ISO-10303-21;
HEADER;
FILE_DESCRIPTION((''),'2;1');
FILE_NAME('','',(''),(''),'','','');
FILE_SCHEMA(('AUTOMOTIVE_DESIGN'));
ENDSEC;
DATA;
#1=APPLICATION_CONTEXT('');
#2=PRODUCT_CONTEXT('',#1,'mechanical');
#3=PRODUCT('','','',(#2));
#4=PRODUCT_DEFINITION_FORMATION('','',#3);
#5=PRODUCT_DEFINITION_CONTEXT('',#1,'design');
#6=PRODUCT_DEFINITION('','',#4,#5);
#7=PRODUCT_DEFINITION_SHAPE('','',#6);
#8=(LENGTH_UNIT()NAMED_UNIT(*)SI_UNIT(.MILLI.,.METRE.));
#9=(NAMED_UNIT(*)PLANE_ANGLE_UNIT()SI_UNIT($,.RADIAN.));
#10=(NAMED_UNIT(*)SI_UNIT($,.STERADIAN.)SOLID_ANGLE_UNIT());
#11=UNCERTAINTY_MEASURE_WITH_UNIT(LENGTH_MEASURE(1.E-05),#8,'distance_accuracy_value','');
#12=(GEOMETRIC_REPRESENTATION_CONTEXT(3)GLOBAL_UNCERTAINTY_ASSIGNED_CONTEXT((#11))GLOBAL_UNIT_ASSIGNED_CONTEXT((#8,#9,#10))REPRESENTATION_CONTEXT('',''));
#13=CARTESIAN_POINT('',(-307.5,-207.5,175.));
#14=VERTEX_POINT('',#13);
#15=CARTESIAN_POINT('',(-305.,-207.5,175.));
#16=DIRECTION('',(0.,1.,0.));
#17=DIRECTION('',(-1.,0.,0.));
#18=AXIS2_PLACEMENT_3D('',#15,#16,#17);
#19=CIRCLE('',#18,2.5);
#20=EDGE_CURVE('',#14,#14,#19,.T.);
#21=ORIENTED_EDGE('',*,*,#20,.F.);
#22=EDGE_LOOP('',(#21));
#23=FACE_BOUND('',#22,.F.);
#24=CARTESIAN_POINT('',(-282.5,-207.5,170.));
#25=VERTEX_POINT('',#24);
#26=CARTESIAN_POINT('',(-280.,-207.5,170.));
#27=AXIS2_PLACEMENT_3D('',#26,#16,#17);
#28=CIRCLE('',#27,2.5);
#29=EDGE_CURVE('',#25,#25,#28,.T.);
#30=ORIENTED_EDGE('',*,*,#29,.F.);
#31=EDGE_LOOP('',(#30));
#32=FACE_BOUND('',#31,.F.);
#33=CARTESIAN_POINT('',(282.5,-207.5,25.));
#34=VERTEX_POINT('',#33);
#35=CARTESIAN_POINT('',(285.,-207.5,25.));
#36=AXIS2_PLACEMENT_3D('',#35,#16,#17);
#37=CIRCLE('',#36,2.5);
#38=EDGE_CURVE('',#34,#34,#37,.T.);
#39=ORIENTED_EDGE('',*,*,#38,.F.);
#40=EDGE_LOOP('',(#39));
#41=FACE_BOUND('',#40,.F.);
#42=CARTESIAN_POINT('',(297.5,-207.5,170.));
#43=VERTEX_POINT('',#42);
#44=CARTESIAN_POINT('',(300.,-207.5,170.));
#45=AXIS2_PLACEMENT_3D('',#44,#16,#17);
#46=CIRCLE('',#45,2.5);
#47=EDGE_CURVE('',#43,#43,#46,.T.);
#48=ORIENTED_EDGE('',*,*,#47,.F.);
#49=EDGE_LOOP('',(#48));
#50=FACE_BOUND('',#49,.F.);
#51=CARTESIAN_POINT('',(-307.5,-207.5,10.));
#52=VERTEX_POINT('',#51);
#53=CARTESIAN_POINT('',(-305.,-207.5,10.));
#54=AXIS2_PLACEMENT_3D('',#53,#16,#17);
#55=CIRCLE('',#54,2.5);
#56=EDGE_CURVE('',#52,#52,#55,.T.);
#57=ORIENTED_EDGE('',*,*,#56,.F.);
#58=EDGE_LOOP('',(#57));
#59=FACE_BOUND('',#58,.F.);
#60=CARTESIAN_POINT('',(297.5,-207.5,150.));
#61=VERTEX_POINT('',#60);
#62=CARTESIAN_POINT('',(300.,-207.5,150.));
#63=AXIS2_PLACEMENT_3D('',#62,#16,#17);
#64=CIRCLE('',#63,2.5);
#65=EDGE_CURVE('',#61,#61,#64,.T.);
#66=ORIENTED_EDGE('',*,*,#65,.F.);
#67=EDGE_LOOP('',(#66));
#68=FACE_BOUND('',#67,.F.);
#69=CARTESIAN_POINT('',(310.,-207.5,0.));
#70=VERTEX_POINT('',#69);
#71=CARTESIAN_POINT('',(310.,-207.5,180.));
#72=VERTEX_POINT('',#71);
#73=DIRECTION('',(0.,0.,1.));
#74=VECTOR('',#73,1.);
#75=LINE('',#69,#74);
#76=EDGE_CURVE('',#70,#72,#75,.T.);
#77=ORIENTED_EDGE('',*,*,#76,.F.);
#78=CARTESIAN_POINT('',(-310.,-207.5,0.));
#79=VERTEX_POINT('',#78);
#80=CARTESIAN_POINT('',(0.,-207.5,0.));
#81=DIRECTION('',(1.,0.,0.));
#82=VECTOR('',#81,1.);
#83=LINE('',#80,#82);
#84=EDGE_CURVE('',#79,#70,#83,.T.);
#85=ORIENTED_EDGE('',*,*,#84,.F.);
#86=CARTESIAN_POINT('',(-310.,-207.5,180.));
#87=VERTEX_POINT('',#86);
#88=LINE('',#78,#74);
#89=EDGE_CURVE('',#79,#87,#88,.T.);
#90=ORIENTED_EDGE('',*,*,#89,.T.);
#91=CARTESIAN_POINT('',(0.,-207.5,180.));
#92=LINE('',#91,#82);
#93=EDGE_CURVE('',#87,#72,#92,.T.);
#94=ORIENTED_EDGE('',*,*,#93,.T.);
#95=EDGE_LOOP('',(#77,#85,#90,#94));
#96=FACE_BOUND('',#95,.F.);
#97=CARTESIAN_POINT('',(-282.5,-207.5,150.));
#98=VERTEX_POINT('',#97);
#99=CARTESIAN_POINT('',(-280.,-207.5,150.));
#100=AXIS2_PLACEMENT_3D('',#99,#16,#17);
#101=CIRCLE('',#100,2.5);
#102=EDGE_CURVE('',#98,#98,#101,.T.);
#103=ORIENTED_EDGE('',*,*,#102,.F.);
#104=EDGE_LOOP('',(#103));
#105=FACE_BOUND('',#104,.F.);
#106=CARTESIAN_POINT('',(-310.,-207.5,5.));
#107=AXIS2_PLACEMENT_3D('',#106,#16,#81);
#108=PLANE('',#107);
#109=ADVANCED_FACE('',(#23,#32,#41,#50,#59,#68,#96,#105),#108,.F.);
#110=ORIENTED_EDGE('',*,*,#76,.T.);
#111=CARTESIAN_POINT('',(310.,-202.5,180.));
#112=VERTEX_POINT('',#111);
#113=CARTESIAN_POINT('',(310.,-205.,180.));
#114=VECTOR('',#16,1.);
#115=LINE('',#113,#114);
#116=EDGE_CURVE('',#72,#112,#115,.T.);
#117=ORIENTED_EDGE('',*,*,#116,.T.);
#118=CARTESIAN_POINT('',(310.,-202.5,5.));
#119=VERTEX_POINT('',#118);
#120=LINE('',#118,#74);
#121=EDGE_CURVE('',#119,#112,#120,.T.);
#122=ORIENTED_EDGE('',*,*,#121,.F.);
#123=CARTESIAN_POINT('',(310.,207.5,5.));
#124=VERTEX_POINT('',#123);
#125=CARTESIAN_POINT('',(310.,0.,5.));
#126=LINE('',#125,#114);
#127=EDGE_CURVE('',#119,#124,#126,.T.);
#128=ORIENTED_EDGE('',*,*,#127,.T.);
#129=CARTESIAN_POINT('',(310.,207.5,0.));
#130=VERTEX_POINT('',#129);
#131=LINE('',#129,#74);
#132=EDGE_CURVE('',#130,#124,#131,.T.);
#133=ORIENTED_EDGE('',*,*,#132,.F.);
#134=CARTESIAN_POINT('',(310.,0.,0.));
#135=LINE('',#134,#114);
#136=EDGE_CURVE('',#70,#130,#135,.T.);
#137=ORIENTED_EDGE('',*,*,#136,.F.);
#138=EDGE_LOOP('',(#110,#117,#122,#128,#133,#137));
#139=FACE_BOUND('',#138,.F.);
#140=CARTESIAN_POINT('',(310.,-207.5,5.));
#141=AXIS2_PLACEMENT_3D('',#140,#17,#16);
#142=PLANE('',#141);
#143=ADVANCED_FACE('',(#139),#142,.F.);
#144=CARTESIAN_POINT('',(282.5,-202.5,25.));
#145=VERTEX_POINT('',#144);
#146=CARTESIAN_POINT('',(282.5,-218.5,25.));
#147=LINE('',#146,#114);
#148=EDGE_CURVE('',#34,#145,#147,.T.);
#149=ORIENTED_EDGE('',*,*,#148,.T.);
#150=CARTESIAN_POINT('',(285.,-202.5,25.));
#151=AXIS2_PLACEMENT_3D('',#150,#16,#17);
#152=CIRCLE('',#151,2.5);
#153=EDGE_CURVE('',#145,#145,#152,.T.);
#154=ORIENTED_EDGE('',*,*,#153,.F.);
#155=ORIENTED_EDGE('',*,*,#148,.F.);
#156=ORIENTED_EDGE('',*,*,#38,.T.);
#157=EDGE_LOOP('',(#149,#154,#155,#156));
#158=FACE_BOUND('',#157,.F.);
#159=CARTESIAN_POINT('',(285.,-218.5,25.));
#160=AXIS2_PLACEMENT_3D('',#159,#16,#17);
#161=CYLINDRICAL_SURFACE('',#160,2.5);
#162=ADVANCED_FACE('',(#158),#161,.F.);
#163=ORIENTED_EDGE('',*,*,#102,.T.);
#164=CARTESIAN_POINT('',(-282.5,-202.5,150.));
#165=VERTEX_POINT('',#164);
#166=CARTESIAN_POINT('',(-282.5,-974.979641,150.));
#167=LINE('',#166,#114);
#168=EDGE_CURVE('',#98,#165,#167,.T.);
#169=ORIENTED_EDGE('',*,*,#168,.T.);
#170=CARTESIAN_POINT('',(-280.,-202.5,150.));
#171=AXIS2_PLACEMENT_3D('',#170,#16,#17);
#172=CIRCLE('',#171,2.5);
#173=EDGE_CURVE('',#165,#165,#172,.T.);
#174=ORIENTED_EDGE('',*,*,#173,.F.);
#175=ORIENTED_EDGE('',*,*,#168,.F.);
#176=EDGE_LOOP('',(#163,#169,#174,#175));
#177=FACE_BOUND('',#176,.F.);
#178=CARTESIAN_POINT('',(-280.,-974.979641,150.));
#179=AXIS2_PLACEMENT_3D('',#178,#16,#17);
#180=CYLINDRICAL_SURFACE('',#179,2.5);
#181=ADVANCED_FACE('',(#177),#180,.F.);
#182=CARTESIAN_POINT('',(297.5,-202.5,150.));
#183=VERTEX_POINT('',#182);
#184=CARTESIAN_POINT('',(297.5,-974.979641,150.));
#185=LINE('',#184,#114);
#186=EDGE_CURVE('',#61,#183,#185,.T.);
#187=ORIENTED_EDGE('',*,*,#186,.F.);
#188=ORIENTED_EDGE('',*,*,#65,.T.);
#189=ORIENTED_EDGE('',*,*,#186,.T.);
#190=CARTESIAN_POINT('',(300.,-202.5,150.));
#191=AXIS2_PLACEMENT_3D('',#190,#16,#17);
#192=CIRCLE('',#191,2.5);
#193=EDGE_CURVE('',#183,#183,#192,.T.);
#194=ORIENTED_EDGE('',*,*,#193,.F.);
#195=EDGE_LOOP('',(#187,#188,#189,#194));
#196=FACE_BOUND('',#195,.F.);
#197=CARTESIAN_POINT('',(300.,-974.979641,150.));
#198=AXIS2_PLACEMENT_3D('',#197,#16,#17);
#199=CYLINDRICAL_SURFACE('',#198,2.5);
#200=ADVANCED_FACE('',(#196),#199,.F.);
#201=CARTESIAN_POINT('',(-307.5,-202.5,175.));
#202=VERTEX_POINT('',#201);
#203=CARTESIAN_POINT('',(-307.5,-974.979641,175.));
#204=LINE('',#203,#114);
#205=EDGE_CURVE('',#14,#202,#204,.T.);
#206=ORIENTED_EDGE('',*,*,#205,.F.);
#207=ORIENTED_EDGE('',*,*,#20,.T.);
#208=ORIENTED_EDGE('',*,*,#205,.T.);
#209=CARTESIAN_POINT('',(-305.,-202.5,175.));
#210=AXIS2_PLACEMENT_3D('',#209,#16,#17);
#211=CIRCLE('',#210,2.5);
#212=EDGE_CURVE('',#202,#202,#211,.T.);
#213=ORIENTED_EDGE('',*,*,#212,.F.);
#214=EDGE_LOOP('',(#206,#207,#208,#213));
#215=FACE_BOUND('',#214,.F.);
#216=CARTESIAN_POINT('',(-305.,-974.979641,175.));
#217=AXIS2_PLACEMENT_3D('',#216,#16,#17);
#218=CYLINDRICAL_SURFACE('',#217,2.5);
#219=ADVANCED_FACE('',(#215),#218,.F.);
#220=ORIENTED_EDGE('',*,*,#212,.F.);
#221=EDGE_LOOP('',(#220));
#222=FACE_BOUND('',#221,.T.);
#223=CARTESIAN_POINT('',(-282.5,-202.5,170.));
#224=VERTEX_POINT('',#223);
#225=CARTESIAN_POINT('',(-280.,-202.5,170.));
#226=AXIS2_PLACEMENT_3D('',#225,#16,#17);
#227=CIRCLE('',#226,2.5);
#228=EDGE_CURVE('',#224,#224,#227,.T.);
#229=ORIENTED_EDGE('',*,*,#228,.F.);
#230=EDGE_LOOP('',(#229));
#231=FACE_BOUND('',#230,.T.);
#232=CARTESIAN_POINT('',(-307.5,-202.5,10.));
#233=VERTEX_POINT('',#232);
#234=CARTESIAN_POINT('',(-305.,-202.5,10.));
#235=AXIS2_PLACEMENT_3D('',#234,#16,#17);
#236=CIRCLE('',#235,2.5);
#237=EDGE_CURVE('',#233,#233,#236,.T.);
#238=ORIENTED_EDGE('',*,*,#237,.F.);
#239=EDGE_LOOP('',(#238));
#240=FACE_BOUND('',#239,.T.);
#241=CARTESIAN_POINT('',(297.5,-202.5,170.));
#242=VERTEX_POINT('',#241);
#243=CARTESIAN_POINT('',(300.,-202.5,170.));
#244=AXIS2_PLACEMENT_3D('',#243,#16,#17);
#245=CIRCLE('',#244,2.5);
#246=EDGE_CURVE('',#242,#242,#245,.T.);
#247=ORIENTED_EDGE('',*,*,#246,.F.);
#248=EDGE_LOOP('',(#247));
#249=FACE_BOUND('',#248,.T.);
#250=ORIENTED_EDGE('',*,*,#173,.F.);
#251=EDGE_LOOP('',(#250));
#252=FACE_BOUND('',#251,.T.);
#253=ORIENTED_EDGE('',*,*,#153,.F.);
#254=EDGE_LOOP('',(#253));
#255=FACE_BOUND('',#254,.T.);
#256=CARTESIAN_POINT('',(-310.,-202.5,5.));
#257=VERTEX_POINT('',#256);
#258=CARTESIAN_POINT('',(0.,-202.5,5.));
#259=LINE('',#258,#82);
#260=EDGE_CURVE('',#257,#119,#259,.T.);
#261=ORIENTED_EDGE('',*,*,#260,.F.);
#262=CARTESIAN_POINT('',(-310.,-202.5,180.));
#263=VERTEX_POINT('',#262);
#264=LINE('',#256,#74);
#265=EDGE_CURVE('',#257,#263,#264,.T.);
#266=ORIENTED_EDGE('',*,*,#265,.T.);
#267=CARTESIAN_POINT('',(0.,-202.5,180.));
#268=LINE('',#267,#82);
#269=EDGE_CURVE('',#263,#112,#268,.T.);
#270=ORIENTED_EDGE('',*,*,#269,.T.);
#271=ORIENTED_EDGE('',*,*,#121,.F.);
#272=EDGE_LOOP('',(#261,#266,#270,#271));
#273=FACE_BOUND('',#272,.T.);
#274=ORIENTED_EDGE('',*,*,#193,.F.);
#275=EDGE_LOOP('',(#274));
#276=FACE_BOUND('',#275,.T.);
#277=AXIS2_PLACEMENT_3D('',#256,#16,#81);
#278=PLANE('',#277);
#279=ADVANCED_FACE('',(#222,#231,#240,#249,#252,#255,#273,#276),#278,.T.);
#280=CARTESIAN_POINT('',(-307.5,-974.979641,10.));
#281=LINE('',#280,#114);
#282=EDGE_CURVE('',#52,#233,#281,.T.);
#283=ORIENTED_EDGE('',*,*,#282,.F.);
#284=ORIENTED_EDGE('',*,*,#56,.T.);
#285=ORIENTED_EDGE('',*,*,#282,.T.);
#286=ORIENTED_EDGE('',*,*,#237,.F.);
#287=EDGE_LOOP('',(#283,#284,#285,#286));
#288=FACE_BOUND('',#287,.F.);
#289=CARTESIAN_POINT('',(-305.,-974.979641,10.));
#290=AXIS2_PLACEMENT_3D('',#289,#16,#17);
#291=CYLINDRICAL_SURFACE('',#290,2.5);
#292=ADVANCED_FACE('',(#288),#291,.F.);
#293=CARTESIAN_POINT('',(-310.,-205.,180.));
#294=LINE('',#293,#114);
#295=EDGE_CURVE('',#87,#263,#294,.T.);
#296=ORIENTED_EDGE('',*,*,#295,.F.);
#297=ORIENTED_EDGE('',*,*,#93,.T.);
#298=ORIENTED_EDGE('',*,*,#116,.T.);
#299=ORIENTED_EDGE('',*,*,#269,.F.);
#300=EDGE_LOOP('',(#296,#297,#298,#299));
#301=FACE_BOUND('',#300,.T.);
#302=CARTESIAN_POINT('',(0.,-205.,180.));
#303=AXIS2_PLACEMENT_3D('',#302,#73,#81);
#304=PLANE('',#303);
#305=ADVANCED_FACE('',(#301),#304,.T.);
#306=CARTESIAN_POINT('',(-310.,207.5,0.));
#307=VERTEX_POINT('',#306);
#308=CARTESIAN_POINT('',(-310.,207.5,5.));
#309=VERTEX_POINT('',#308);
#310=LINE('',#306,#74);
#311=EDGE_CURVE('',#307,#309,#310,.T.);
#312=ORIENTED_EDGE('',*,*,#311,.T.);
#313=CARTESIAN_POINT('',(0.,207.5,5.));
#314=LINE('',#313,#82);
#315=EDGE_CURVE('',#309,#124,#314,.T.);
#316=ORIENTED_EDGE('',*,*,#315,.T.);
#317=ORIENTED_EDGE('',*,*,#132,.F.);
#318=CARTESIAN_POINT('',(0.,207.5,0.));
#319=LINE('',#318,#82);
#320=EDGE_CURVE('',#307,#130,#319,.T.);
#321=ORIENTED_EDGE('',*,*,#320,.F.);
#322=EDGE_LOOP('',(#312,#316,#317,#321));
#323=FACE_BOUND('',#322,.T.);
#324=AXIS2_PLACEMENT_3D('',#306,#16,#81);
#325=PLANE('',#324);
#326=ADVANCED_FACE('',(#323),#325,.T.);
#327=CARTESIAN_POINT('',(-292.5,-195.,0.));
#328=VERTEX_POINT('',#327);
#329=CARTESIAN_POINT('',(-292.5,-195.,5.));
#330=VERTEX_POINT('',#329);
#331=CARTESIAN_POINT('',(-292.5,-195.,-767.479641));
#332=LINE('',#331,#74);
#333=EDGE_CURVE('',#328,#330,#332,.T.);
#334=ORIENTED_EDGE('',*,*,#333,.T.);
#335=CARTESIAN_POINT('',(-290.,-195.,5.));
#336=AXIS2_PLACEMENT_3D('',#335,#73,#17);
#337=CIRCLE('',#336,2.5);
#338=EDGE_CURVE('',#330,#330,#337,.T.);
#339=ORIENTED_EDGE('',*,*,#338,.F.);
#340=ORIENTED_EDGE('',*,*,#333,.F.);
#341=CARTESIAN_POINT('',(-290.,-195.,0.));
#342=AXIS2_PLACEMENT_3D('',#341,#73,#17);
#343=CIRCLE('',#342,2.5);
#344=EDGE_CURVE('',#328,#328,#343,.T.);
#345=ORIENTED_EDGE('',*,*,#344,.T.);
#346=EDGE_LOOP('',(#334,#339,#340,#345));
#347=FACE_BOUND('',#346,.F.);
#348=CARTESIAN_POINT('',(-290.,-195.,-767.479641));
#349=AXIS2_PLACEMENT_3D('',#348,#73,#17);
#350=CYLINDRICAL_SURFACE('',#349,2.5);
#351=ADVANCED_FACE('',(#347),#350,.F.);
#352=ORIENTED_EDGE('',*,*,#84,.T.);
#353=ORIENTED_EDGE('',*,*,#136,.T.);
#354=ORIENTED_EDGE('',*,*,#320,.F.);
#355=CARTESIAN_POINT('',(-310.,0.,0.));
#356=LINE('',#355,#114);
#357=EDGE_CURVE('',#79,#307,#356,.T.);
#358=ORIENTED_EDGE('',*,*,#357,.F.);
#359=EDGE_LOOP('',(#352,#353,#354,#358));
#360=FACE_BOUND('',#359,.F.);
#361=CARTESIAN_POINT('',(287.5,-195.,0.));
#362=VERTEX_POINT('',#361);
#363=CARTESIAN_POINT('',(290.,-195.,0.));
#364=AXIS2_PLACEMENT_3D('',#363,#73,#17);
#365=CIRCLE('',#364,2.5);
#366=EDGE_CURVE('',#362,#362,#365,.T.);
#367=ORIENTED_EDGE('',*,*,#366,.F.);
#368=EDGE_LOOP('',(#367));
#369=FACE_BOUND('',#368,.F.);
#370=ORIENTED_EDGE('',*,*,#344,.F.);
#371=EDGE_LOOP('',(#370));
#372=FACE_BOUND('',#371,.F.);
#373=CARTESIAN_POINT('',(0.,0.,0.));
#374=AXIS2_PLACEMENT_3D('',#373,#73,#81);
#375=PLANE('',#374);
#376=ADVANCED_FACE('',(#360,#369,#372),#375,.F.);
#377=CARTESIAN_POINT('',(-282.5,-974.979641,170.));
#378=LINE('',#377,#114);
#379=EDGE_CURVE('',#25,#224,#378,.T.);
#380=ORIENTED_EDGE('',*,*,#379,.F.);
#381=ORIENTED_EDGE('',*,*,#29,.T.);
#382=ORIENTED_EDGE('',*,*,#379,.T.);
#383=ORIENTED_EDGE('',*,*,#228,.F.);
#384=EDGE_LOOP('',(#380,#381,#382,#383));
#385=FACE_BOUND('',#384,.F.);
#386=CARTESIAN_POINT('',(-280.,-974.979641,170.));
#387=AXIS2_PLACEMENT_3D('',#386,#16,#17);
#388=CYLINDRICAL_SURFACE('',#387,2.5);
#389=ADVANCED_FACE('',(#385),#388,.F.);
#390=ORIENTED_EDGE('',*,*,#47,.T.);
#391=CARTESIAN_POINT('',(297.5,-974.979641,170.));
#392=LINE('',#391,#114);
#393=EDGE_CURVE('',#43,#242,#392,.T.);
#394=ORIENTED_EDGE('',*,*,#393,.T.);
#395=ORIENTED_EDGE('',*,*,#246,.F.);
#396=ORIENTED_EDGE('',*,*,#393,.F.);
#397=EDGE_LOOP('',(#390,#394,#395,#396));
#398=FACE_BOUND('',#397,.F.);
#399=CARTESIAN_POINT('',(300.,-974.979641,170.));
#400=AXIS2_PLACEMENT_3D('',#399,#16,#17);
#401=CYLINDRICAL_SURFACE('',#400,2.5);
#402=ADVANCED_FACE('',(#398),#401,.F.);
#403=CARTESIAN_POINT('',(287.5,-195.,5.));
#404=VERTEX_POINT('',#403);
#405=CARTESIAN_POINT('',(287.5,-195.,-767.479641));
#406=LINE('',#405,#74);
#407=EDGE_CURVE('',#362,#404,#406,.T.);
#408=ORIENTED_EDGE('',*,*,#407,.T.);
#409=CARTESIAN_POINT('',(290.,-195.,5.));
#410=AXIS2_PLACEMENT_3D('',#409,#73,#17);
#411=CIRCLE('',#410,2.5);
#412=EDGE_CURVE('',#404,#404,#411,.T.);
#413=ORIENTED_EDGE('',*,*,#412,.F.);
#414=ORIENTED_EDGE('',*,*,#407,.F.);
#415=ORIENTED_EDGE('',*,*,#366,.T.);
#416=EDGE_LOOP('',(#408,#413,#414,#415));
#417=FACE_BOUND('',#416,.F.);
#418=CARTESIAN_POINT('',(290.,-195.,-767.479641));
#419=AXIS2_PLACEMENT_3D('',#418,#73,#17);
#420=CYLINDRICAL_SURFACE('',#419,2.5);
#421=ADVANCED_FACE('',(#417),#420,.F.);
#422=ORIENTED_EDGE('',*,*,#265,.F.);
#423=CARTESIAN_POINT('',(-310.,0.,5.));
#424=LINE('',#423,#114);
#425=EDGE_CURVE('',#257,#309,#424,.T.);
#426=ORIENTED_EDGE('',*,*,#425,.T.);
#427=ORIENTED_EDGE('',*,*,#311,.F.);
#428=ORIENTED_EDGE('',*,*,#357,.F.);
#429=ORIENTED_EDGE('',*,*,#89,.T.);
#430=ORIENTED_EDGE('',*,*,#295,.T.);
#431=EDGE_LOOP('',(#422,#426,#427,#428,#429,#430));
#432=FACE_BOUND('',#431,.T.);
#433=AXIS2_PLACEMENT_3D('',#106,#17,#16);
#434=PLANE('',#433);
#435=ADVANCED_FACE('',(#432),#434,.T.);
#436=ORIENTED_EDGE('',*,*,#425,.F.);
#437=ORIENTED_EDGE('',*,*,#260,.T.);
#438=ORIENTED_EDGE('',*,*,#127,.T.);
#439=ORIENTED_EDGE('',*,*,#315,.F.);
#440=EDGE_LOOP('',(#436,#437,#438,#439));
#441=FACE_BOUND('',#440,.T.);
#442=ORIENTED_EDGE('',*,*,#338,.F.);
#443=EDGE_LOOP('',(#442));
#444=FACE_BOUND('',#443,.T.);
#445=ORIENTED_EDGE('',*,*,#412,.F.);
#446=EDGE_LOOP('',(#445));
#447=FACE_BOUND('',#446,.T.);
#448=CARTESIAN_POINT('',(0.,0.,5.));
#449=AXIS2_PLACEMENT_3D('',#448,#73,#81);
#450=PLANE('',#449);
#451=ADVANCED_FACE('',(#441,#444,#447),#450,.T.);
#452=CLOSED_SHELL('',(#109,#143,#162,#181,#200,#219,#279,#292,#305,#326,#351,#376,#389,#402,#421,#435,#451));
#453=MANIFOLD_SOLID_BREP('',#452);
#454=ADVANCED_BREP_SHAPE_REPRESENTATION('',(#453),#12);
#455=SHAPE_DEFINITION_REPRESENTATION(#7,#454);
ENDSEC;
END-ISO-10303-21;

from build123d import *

# Parameters (mm, degrees)
F0_W      = 620
F0_H      = 415
F1_DEPTH  = 5
F2_W      = 620
F2_H      = 5
F3_DEPTH  = 175
F5_D      = 5
F7_D      = 5
F9_D      = 5
F11_D     = 5
F13_D     = 5
F15_D     = 5
F17_D     = 5
F19_D     = 5
F21_D     = 5
F21_DEPTH = 11


with BuildPart() as f1:
    # F0 (on Top) → F1 (new body)
    with BuildSketch(Plane.XY):
        Rectangle(F0_W, F0_H)
    extrude(amount=F1_DEPTH)

    # F2 (on face) → F3 (join)
    with BuildSketch(Plane.XY.offset(5)):
        with Locations((0, -205)):
            Rectangle(F2_W, F2_H)
    extrude(amount=F3_DEPTH)

    # F5 (through all)
    with Locations(Plane.XZ.offset(207.5)):
        with Locations((300, 170)):
            Hole(F5_D / 2)

    # F7 (through all)
    with Locations(Plane.XZ.offset(207.5)):
        with Locations((300, 150)):
            Hole(F7_D / 2)

    # F9 (through all)
    with Locations(Plane.XZ.offset(207.5)):
        with Locations((-280, 170)):
            Hole(F9_D / 2)

    # F11 (through all)
    with Locations(Plane.XZ.offset(207.5)):
        with Locations((-280, 150)):
            Hole(F11_D / 2)

    # F13 (through all)
    with Locations(Plane.XZ.offset(207.5)):
        with Locations((-305, 175)):
            Hole(F13_D / 2)

    # F15 (through all)
    with Locations(Plane.XZ.offset(207.5)):
        with Locations((-305, 10)):
            Hole(F15_D / 2)

    # F17 (through all)
    with Locations(Plane(origin=(0, 0, 0), x_dir=(1, 0, 0), z_dir=(0, 0, -1))):
        with Locations((290, 195)):
            Hole(F17_D / 2)

    # F19 (through all)
    with Locations(Plane(origin=(0, 0, 0), x_dir=(1, 0, 0), z_dir=(0, 0, -1))):
        with Locations((-290, 195)):
            Hole(F19_D / 2)

    # F21
    with Locations(Plane.XZ.offset(207.5)):
        with Locations((285, 25)):
            Hole(F21_D / 2, depth=F21_DEPTH)


solid = f1.part
